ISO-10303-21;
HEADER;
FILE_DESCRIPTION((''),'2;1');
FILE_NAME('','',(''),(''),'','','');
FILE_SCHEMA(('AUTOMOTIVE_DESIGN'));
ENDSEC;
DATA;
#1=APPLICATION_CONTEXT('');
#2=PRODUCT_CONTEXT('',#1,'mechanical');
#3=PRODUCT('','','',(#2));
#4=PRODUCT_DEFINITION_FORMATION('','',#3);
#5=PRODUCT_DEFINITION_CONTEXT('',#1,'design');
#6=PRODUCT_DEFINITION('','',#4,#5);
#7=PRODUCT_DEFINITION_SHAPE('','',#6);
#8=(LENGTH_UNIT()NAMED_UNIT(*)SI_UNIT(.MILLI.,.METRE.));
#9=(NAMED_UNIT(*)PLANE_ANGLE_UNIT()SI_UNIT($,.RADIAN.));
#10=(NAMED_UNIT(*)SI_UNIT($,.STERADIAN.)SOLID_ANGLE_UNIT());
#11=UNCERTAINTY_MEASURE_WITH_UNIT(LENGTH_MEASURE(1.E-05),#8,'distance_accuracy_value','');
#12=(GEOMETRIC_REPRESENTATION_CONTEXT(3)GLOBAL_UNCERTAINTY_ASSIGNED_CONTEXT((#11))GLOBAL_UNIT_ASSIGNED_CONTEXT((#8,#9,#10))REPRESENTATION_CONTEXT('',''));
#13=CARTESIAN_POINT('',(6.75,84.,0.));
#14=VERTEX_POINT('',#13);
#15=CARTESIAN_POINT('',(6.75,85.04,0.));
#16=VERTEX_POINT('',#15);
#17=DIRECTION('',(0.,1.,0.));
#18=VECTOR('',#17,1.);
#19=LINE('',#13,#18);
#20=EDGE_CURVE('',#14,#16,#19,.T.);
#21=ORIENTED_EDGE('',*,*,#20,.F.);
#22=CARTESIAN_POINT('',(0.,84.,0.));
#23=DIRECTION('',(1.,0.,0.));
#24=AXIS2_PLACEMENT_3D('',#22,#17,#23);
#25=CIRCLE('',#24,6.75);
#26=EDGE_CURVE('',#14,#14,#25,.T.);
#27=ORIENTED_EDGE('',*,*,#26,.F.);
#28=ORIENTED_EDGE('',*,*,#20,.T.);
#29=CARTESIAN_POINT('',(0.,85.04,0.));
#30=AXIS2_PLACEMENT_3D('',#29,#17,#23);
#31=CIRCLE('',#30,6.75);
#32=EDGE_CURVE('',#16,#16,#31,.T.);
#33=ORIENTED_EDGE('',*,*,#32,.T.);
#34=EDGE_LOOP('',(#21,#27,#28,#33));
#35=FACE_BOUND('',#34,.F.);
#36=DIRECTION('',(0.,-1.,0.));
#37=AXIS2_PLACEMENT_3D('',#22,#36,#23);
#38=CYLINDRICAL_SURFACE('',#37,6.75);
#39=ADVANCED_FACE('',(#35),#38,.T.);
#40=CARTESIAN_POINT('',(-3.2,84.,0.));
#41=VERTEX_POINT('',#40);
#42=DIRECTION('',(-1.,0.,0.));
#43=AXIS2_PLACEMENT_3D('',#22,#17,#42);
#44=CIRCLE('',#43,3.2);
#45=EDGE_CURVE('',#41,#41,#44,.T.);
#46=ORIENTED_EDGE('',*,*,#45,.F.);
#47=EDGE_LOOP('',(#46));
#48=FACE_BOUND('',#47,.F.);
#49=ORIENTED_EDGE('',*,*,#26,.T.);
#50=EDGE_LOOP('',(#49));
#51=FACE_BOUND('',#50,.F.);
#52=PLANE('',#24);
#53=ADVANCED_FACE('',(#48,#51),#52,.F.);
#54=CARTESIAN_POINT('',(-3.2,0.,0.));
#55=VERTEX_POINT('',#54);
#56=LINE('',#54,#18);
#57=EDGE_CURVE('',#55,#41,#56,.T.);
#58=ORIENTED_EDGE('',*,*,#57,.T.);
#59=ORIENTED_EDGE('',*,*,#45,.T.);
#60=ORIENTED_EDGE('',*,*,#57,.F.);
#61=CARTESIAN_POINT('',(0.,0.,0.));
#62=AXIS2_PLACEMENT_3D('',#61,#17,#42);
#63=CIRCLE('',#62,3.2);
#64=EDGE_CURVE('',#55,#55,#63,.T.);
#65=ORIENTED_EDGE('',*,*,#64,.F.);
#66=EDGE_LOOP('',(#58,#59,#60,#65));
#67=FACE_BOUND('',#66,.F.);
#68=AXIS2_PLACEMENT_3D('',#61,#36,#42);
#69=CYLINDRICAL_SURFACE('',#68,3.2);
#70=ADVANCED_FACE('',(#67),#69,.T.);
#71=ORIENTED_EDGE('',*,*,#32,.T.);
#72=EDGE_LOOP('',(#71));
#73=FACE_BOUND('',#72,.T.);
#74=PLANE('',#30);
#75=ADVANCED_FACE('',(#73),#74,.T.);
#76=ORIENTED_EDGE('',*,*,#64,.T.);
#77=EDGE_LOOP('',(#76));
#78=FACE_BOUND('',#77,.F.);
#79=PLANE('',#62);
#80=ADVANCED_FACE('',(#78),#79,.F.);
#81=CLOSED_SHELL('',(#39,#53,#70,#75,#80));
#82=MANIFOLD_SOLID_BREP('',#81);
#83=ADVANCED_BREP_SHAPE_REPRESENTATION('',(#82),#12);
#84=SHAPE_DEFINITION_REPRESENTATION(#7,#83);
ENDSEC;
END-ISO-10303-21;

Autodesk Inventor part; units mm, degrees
ref_plane "YZ Plane" through (0, 0, 0) normal (1, 0, 0) x (0, 1, 0)
ref_plane "XZ Plane" through (0, 0, 0) normal (0, 1, 0) x (-1, 0, 0)
ref_plane "XY Plane" through (0, 0, 0) normal (0, 0, 1) x (1, 0, 0)
sketch "Sketch1" plane through (0, 0, 0) normal (0, 1, 0) x (-1, 0, 0)
  circle A0 centre (0, 0) radius 3.2
  dimension "d0" = 6.4
extrude "Extrusion1" add sketch "Sketch1" along normal blind 84
sketch "Sketch2" plane through (0, 84, 0) normal (0, 1, 0) x (1, 0, 0)
  circle A0 centre (0, 0) radius 6.75
  dimension "d3" = 13.5
extrude "Extrusion2" add sketch "Sketch2" along normal blind 1.04
properties part number "Syringe1mL"
